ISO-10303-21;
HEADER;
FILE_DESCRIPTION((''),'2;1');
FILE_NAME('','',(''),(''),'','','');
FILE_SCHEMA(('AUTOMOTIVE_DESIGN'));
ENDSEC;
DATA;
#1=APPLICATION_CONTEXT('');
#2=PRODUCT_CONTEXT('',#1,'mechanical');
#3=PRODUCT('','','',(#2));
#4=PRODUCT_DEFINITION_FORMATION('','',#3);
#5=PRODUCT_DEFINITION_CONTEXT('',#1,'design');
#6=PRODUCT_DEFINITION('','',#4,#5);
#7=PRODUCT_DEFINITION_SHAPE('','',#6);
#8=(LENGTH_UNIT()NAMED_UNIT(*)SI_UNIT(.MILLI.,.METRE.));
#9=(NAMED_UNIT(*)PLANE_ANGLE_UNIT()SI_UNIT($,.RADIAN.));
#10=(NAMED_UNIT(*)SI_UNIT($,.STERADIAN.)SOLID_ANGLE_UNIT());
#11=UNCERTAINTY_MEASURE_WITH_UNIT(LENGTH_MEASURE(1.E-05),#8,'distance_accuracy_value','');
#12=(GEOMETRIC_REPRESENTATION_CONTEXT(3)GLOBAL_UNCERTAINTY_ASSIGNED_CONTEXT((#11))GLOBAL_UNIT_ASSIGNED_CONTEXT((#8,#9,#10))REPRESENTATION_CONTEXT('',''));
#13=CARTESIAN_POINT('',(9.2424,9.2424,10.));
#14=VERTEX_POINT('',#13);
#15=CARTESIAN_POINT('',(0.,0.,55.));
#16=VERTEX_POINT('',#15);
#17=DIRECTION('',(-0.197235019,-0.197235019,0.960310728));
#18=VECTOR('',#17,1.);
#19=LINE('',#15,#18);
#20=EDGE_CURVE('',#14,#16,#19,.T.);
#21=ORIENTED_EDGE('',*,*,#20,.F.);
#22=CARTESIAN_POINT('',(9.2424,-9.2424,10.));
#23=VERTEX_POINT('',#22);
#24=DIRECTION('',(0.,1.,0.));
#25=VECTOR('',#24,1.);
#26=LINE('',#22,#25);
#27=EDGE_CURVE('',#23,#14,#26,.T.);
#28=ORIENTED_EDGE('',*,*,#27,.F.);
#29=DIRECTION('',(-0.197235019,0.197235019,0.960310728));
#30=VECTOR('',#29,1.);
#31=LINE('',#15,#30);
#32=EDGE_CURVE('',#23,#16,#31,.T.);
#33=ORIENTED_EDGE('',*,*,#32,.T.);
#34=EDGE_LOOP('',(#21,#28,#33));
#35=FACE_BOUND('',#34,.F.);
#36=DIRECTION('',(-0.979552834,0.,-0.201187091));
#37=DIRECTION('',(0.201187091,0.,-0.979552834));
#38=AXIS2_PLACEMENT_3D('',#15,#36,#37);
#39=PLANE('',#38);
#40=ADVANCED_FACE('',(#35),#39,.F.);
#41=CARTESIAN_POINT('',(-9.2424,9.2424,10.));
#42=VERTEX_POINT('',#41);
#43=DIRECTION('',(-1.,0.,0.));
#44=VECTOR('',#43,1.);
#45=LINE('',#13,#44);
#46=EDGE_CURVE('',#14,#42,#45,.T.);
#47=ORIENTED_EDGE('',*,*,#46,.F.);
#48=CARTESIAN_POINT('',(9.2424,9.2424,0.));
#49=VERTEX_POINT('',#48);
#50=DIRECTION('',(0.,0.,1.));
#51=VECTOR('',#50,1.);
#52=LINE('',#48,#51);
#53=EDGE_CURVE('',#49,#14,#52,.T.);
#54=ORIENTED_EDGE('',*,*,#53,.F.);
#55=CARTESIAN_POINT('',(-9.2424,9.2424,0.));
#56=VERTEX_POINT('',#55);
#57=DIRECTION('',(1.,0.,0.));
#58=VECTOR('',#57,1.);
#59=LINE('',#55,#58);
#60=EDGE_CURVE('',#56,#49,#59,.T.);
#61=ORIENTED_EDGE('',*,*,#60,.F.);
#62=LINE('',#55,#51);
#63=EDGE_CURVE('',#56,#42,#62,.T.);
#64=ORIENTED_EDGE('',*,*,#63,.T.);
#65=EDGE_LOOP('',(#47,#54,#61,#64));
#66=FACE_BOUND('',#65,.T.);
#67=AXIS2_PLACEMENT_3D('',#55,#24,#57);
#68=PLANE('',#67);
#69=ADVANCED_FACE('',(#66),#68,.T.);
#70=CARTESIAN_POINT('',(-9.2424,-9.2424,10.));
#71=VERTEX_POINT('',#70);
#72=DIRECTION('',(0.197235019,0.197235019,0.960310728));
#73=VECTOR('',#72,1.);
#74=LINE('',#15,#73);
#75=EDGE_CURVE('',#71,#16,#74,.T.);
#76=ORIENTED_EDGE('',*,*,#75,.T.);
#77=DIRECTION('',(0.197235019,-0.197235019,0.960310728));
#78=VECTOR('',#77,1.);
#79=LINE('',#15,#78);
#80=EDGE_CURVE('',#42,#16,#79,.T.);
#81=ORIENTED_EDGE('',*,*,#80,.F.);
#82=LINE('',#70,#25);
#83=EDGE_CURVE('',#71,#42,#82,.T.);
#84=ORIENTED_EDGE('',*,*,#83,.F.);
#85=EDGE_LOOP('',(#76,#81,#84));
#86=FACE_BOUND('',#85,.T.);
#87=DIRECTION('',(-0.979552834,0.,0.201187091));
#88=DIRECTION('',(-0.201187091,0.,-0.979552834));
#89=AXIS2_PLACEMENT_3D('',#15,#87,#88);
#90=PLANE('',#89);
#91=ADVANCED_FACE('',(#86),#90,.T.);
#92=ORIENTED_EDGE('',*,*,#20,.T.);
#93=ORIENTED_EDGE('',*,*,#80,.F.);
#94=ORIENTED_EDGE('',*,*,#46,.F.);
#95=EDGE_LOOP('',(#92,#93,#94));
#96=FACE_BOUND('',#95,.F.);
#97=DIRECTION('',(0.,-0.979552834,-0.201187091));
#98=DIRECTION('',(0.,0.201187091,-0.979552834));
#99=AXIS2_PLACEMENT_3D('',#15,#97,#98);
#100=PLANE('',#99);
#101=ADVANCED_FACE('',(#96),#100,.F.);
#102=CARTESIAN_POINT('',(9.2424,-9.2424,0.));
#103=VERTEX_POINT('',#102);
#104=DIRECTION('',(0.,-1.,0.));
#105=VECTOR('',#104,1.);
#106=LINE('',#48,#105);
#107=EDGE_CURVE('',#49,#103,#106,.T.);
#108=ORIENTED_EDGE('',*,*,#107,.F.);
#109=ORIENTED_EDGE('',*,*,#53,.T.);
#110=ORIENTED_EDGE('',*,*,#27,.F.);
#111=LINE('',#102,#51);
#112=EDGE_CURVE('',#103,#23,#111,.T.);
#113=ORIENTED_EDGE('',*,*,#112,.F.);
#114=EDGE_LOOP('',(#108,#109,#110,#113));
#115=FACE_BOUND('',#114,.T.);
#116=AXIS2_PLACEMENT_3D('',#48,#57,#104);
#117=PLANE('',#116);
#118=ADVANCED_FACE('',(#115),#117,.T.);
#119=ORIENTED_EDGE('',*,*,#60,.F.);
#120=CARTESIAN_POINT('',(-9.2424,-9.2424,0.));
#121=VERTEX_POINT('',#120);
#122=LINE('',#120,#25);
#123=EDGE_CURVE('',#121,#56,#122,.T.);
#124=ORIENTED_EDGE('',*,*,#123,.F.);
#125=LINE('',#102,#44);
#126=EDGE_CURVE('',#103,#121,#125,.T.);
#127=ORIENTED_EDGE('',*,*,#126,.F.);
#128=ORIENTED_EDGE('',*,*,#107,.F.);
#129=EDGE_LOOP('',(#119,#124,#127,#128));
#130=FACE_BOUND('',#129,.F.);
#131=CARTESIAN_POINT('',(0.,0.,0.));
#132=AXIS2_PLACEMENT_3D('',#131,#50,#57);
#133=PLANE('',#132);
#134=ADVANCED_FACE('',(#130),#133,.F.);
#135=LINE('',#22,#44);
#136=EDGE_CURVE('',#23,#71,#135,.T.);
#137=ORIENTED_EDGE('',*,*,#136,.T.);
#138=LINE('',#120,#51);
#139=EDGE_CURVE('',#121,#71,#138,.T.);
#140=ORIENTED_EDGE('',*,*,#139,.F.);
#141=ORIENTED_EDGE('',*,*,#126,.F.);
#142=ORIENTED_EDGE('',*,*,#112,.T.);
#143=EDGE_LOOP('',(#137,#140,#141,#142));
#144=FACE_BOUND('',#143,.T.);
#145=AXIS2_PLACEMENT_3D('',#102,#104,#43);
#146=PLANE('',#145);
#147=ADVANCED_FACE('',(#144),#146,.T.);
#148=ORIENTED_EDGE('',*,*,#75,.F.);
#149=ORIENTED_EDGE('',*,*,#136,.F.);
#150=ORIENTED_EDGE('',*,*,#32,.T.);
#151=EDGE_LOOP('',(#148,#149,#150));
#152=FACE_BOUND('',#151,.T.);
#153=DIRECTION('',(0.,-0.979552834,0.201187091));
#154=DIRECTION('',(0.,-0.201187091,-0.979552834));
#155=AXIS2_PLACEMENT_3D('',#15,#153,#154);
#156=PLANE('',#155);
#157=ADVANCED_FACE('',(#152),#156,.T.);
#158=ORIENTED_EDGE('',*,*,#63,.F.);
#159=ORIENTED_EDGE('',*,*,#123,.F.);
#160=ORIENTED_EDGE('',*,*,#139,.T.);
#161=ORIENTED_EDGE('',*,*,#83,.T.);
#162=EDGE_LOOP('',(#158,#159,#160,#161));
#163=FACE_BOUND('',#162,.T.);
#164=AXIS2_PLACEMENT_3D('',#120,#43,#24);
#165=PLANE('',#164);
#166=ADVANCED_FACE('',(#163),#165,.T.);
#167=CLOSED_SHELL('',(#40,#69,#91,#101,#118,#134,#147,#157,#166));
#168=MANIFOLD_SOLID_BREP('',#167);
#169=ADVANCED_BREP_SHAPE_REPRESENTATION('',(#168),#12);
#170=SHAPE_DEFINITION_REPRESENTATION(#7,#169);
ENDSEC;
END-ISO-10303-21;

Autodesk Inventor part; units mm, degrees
ref_plane "YZ Plane" through (0, 0, 0) normal (1, 0, 0) x (0, 1, 0)
ref_plane "XZ Plane" through (0, 0, 0) normal (0, 1, 0) x (-1, 0, 0)
ref_plane "XY Plane" through (0, 0, 0) normal (0, 0, 1) x (1, 0, 0)
sketch "Absorber-Base" plane through (0, 0, 0) normal (0, 0, 1) x (1, 0, 0)
  line L0 (-9.2424, 9.2424) -> (9.2424, 9.2424)
  line L1 (9.2424, 9.2424) -> (9.2424, -9.2424)
  line L2 (9.2424, -9.2424) -> (-9.2424, -9.2424)
  line L3 (-9.2424, -9.2424) -> (-9.2424, 9.2424)
  line L4 (-9.2424, 9.2424) -> (9.2424, -9.2424) construction
  line L5 (9.2424, 9.2424) -> (-9.2424, -9.2424) construction
  point P0 (0, 0)
  dimension "d0" = 18.4849
extrude "Gesamtvolumen" add sketch "Absorber-Base" along normal blind 55
sketch "Skizze2" plane through (0, 0, 0) normal (0, 1, 0) x (-1, 0, 0)
  line L0 (-28, 0) -> (28, 0) projected
  line L1 (9.2424, 0) -> (9.2424, 55) projected
  line L2 (-9.2424, 0) -> (-9.2424, 55) projected
  line L3 (9.2424, 0) -> (-9.2424, 0)
  line L4 (-9.2424, 0) -> (-9.2424, 10)
  line L5 (-9.2424, 10) -> (9.2424, 10)
  line L6 (9.2424, 10) -> (9.2424, 0)
  line L7 (-9.2424, 55) -> (9.2424, 55) projected
  line L8 (0, 55) -> (9.2424, 10)
  line L9 (0, 55) -> (-9.2424, 10)
  point P0 (0, 0)
  point P1 (9.2424, 10)
  dimension "d6" = 10
extrude "Cutaway" cut sketch "Skizze2" along normal mid plane 18.4848 contours L2 L7 L9 | L8 L7 L1
pattern_circular "Runde Anordnung1" count 2 over 90 about axis through (0, 0, -10) along (0, 0, 1) of "Cutaway"
equation "\"d0\" = Base_Seitenlänge"
equation "\"d1\" = Gesamthöhe"
equation "\"d6\" = Base_Höhe"
equation "\"d7\" = Base_Seitenlänge"
equation "\"Base_Seitenlänge\" = 18.48485"
equation "\"Base_Höhe\" = 10"
equation "\"Gesamthöhe\" = 55"
properties part number "Absorber - SEA-PM5"
